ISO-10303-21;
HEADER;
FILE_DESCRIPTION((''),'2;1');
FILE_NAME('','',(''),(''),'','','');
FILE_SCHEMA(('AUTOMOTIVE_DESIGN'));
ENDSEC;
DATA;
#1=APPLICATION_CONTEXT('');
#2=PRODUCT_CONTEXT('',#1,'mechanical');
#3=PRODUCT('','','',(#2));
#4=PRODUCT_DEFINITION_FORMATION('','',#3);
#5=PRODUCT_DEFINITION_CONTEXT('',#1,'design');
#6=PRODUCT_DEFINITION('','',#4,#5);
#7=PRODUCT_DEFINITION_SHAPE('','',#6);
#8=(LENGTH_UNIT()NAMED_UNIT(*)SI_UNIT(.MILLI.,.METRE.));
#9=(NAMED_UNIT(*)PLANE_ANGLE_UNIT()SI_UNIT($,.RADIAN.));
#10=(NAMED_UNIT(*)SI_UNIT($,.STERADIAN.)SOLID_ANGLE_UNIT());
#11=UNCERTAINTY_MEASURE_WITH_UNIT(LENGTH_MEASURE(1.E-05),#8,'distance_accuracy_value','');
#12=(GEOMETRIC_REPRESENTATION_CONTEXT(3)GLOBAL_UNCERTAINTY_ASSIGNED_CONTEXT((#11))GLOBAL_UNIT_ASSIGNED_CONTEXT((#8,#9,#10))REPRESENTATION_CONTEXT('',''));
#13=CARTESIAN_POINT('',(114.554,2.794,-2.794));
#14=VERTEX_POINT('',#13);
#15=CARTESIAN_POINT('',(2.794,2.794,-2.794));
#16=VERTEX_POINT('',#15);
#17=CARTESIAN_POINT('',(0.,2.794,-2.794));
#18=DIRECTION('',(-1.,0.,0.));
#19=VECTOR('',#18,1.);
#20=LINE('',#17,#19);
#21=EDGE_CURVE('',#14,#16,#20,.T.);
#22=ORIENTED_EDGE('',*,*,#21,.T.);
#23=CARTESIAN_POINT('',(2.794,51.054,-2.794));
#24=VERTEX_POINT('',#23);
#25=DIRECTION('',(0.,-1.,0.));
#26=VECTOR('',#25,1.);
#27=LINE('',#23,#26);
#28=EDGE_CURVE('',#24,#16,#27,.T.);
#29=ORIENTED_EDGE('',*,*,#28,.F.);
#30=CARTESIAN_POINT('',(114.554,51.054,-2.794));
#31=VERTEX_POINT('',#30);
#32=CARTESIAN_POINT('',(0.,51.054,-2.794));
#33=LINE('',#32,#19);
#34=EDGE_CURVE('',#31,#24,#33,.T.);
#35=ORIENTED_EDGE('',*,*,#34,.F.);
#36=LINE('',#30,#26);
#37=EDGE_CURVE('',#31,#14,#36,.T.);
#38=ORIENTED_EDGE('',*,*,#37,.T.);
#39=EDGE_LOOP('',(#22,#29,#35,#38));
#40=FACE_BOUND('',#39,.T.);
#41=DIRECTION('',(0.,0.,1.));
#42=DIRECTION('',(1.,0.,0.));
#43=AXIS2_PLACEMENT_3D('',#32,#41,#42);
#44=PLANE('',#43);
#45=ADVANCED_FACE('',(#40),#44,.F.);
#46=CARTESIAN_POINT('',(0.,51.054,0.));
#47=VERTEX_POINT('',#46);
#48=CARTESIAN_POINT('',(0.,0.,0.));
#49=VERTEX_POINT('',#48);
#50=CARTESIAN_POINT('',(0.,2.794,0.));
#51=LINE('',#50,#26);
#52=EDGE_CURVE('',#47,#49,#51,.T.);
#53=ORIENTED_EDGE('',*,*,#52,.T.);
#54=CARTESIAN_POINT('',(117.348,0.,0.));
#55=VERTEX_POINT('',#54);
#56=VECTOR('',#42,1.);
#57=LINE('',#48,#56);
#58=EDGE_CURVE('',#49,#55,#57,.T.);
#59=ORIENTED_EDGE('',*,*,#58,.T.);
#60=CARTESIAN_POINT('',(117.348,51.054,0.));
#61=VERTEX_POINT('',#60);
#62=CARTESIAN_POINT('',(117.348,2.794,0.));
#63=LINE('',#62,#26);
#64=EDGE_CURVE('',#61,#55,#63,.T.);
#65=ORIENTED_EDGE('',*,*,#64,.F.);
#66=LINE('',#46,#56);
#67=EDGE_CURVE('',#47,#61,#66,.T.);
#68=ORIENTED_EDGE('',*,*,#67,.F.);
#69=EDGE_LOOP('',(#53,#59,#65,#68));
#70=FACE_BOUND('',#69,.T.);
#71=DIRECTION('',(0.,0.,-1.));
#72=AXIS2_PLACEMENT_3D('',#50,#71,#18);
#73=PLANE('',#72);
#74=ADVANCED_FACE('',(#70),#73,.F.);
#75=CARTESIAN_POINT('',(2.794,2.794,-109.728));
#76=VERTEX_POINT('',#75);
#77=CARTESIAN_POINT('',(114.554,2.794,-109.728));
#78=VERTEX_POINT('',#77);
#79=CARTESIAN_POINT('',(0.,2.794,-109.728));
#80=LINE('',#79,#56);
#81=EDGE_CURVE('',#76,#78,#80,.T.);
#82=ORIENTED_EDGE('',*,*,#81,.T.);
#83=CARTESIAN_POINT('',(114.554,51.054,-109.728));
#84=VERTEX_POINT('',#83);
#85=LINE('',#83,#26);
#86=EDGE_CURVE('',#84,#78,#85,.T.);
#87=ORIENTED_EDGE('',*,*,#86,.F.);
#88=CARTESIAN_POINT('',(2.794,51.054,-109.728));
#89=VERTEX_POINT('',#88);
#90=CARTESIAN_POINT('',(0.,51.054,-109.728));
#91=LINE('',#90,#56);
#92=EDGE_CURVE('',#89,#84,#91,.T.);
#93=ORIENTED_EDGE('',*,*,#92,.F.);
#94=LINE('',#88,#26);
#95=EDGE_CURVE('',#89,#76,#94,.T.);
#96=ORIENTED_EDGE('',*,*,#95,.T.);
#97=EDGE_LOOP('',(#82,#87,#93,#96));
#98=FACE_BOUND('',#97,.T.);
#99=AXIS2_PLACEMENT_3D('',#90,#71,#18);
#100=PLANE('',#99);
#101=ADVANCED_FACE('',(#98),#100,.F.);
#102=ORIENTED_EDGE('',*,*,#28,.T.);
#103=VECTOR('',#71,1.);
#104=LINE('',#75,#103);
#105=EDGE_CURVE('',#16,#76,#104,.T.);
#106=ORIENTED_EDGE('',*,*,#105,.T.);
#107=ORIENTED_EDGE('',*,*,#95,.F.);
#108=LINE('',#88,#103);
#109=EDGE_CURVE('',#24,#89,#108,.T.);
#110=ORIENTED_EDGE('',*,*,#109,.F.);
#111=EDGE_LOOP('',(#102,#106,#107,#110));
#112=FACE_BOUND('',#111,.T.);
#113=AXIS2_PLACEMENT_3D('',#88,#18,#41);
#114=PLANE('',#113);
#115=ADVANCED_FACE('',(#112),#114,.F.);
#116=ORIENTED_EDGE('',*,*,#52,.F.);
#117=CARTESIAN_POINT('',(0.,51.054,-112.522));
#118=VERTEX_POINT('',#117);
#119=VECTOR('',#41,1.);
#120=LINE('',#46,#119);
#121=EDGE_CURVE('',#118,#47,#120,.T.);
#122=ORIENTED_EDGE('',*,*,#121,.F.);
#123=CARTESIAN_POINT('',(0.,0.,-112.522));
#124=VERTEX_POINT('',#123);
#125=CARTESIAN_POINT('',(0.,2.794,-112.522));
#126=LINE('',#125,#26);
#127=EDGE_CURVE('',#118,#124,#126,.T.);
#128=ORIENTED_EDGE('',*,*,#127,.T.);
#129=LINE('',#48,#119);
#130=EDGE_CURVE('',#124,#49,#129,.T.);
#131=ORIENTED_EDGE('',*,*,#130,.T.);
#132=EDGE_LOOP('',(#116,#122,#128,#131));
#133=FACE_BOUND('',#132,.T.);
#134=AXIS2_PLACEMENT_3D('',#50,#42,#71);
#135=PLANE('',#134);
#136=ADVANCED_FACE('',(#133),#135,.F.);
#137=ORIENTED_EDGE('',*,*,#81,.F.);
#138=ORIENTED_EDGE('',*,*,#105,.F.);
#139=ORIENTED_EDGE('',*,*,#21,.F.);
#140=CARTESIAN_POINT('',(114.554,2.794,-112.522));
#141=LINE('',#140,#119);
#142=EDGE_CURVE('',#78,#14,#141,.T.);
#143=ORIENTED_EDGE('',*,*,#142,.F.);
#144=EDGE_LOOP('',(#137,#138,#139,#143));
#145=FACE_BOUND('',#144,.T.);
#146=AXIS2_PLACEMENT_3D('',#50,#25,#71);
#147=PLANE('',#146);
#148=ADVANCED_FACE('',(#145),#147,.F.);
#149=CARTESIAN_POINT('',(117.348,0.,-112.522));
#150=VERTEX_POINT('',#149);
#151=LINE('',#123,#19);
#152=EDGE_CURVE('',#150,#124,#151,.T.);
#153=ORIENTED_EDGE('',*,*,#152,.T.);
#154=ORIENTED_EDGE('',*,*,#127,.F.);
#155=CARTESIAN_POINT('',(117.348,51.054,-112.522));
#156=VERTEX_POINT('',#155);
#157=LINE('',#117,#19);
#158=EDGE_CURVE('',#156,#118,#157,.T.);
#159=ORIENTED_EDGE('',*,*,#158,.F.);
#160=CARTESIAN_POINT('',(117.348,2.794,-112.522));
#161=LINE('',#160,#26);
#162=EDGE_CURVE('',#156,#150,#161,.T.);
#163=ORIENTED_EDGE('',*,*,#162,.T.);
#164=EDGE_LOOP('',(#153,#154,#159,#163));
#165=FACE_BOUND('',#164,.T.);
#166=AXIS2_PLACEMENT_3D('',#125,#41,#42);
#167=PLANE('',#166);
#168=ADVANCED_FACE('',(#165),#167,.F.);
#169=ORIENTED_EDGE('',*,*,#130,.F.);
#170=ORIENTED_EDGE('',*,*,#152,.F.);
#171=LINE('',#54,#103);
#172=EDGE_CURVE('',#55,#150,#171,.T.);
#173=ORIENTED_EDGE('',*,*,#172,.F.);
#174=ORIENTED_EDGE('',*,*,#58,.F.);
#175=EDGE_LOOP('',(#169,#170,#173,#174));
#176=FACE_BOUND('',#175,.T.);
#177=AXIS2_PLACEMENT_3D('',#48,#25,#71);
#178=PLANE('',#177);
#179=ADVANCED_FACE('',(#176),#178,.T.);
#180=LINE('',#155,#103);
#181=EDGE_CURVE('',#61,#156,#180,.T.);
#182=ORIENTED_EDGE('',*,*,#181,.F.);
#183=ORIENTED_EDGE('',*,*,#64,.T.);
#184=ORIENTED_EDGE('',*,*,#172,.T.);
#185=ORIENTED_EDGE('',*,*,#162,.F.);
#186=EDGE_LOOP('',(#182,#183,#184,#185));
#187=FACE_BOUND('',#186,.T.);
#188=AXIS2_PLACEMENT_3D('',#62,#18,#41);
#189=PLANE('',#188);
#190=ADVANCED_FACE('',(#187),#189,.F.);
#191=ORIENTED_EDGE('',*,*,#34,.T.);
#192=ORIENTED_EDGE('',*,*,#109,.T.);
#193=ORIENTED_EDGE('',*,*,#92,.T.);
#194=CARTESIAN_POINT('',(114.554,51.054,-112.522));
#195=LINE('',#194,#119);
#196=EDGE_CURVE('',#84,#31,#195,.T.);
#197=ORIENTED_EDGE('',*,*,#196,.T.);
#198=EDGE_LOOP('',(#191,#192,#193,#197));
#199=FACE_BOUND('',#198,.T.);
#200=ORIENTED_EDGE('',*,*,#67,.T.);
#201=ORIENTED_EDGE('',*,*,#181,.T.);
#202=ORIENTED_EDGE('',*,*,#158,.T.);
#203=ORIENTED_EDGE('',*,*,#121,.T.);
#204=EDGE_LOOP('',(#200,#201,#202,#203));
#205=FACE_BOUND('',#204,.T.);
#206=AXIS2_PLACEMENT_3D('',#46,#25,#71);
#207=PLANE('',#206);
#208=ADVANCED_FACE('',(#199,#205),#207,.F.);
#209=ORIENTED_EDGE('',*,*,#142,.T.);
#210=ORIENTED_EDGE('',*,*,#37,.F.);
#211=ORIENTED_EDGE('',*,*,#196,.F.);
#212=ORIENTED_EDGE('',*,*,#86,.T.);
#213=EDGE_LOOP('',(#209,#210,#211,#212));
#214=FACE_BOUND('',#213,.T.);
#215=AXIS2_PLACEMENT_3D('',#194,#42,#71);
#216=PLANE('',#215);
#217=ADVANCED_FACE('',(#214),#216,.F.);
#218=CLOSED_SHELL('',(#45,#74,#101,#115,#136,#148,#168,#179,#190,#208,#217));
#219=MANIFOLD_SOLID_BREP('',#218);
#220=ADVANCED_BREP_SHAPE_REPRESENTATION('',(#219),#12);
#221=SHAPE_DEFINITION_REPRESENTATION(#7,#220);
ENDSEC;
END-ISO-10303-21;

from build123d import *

# Parameters (mm, degrees)
SKETCH1_W           = 117.348
SKETCH1_H           = 112.522
BOSS_EXTRUDE1_DEPTH = 2.794
SKETCH3_W           = 114.554
SKETCH3_H           = 2.794
BOSS_EXTRUDE2_DEPTH = 48.26
LPATTERN1_COUNT     = 2
LPATTERN1_PITCH     = 109.728
SKETCH4_W           = 2.794
SKETCH4_H           = 106.934
BOSS_EXTRUDE3_DEPTH = 48.26
SKETCH6_W           = 2.794
SKETCH6_H           = 112.522
BOSS_EXTRUDE4_DEPTH = 48.26


with BuildPart() as part:
    # Sketch1 → Boss-Extrude1 (new body)
    with BuildSketch(Plane(origin=(0, 0, 0), x_dir=(1, 0, 0), z_dir=(0, 1, 0))):
        with Locations((58.674, 56.261)):
            Rectangle(SKETCH1_W, SKETCH1_H)
    extrude(amount=BOSS_EXTRUDE1_DEPTH)

    # Sketch3 → Boss-Extrude2 (add)
    with BuildSketch(Plane(origin=(0, 2.794, 0), x_dir=(1, 0, 0), z_dir=(0, 1, 0))):
        with Locations((57.277, 1.397)):
            Rectangle(SKETCH3_W, SKETCH3_H)
    boss_extrude2 = extrude(amount=BOSS_EXTRUDE2_DEPTH)

    # LPattern1: Boss-Extrude2 ×2
    with Locations(*[(0, 0, -i * LPATTERN1_PITCH) for i in range(1, LPATTERN1_COUNT)]):
        add(boss_extrude2)

    # Sketch4 → Boss-Extrude3 (add)
    with BuildSketch(Plane(origin=(0, 2.794, 0), x_dir=(1, 0, 0), z_dir=(0, 1, 0))):
        with Locations((1.397, 56.261)):
            Rectangle(SKETCH4_W, SKETCH4_H)
    extrude(amount=BOSS_EXTRUDE3_DEPTH)

    # Sketch6 → Boss-Extrude4 (add)
    with BuildSketch(Plane(origin=(0, 2.794, 0), x_dir=(1, 0, 0), z_dir=(0, 1, 0))):
        with Locations((115.951, 56.261)):
            Rectangle(SKETCH6_W, SKETCH6_H)
    extrude(amount=BOSS_EXTRUDE4_DEPTH)


solid = part.part
